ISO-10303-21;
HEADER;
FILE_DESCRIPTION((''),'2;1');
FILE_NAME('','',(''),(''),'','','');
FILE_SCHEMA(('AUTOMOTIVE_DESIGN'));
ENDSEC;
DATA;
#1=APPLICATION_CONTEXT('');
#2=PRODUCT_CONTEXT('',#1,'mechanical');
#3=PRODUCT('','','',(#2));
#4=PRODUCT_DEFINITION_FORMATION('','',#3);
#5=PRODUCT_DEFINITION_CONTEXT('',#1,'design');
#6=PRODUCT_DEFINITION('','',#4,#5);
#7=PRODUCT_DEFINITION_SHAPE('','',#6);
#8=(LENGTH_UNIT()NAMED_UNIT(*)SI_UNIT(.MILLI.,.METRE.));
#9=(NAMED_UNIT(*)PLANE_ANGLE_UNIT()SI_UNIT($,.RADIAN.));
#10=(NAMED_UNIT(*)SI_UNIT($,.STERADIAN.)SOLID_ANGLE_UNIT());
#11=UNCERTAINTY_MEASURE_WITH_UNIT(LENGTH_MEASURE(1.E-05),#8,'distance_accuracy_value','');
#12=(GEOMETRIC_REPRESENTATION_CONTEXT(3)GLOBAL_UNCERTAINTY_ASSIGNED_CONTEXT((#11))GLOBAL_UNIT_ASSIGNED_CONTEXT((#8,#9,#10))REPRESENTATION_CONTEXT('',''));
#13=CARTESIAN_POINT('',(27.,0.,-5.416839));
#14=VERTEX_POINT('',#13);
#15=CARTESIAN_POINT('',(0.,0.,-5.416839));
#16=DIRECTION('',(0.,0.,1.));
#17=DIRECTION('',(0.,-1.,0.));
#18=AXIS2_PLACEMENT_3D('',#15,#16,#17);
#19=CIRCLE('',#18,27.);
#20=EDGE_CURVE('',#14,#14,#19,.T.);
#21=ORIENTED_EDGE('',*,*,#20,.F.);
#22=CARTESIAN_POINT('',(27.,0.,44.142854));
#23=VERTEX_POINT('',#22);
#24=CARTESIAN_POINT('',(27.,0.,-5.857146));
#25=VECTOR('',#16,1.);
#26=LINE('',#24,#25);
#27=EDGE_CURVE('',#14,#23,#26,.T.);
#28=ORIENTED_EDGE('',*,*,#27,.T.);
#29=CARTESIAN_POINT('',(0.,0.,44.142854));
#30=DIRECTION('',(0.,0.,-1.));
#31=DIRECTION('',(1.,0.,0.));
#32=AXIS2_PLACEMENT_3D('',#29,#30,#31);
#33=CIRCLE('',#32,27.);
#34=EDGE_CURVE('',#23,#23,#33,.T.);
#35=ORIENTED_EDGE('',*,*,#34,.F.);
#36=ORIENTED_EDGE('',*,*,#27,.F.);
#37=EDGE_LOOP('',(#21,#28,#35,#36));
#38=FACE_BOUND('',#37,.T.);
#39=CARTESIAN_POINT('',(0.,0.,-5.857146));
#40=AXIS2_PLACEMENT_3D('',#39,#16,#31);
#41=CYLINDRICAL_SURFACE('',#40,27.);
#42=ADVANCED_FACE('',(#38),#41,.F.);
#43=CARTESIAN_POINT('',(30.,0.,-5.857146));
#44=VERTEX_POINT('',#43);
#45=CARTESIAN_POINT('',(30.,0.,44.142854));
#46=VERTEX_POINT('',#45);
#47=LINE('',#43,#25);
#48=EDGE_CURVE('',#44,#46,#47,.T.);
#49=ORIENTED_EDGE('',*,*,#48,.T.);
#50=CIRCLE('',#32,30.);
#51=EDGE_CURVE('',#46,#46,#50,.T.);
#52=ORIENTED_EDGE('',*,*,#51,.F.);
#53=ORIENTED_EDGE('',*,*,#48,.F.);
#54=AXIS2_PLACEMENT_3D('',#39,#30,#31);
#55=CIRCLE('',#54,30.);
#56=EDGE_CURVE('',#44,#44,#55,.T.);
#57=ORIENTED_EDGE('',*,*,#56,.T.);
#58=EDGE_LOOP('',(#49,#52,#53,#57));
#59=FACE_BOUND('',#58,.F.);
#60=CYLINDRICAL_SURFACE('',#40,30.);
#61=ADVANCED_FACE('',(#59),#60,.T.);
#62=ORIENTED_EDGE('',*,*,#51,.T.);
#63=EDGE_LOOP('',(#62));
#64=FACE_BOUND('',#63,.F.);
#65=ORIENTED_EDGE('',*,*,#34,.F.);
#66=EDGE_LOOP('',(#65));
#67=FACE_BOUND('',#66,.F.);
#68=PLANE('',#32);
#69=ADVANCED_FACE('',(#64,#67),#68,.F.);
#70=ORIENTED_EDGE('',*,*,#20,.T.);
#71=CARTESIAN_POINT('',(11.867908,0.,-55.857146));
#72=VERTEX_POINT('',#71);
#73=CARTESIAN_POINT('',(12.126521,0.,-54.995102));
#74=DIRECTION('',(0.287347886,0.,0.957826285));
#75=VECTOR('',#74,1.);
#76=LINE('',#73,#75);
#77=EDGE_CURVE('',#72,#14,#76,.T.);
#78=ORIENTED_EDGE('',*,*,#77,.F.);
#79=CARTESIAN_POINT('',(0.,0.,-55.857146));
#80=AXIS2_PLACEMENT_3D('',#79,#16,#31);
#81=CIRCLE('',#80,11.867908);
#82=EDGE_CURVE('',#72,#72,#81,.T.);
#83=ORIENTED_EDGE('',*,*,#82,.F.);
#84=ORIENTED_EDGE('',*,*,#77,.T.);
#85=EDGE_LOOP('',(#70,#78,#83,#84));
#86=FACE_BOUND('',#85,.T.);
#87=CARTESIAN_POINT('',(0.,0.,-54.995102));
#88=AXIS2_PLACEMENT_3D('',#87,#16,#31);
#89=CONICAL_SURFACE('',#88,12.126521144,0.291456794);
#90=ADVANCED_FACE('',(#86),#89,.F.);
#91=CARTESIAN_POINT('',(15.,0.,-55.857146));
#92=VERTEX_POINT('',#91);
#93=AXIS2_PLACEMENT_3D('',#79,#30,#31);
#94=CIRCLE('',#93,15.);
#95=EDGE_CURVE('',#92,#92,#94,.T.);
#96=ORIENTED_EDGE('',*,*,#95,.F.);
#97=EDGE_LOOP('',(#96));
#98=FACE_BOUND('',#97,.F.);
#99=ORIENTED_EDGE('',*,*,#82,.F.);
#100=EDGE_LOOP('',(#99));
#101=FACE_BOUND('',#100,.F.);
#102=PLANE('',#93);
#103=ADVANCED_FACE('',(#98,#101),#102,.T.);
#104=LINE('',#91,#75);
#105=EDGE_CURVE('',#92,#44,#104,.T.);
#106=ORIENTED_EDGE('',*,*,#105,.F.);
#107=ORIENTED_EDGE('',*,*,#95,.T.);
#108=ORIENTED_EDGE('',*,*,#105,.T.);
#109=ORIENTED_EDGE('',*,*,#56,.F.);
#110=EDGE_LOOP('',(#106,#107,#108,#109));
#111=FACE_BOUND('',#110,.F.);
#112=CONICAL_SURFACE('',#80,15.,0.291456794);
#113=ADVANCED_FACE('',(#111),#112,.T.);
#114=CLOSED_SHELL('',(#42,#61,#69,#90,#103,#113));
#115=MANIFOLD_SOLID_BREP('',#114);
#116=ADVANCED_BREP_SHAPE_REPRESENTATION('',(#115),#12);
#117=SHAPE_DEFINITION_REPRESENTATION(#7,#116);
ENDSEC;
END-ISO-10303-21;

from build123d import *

# Parameters (mm, degrees)
F2_T = -3


with BuildPart() as f1:
    # F0 (on Front) → F1 (revolve)
    with BuildSketch(Plane.XZ):
        Polygon((30, 44.142854), (0, 44.142854), (0, -55.857146), (15, -55.857146), (30, -5.857146), align=None)
    revolve(axis=Axis((0, 0, 2.428572), (0, 0, -1)))

    # F2
    f2_openings = [f1.faces().sort_by_distance(p)[0] for p in [
        (0, 0, 44.142854),
        (0, 0, -55.857146),
    ]]
    offset(amount=F2_T, openings=f2_openings)


solid = f1.part
